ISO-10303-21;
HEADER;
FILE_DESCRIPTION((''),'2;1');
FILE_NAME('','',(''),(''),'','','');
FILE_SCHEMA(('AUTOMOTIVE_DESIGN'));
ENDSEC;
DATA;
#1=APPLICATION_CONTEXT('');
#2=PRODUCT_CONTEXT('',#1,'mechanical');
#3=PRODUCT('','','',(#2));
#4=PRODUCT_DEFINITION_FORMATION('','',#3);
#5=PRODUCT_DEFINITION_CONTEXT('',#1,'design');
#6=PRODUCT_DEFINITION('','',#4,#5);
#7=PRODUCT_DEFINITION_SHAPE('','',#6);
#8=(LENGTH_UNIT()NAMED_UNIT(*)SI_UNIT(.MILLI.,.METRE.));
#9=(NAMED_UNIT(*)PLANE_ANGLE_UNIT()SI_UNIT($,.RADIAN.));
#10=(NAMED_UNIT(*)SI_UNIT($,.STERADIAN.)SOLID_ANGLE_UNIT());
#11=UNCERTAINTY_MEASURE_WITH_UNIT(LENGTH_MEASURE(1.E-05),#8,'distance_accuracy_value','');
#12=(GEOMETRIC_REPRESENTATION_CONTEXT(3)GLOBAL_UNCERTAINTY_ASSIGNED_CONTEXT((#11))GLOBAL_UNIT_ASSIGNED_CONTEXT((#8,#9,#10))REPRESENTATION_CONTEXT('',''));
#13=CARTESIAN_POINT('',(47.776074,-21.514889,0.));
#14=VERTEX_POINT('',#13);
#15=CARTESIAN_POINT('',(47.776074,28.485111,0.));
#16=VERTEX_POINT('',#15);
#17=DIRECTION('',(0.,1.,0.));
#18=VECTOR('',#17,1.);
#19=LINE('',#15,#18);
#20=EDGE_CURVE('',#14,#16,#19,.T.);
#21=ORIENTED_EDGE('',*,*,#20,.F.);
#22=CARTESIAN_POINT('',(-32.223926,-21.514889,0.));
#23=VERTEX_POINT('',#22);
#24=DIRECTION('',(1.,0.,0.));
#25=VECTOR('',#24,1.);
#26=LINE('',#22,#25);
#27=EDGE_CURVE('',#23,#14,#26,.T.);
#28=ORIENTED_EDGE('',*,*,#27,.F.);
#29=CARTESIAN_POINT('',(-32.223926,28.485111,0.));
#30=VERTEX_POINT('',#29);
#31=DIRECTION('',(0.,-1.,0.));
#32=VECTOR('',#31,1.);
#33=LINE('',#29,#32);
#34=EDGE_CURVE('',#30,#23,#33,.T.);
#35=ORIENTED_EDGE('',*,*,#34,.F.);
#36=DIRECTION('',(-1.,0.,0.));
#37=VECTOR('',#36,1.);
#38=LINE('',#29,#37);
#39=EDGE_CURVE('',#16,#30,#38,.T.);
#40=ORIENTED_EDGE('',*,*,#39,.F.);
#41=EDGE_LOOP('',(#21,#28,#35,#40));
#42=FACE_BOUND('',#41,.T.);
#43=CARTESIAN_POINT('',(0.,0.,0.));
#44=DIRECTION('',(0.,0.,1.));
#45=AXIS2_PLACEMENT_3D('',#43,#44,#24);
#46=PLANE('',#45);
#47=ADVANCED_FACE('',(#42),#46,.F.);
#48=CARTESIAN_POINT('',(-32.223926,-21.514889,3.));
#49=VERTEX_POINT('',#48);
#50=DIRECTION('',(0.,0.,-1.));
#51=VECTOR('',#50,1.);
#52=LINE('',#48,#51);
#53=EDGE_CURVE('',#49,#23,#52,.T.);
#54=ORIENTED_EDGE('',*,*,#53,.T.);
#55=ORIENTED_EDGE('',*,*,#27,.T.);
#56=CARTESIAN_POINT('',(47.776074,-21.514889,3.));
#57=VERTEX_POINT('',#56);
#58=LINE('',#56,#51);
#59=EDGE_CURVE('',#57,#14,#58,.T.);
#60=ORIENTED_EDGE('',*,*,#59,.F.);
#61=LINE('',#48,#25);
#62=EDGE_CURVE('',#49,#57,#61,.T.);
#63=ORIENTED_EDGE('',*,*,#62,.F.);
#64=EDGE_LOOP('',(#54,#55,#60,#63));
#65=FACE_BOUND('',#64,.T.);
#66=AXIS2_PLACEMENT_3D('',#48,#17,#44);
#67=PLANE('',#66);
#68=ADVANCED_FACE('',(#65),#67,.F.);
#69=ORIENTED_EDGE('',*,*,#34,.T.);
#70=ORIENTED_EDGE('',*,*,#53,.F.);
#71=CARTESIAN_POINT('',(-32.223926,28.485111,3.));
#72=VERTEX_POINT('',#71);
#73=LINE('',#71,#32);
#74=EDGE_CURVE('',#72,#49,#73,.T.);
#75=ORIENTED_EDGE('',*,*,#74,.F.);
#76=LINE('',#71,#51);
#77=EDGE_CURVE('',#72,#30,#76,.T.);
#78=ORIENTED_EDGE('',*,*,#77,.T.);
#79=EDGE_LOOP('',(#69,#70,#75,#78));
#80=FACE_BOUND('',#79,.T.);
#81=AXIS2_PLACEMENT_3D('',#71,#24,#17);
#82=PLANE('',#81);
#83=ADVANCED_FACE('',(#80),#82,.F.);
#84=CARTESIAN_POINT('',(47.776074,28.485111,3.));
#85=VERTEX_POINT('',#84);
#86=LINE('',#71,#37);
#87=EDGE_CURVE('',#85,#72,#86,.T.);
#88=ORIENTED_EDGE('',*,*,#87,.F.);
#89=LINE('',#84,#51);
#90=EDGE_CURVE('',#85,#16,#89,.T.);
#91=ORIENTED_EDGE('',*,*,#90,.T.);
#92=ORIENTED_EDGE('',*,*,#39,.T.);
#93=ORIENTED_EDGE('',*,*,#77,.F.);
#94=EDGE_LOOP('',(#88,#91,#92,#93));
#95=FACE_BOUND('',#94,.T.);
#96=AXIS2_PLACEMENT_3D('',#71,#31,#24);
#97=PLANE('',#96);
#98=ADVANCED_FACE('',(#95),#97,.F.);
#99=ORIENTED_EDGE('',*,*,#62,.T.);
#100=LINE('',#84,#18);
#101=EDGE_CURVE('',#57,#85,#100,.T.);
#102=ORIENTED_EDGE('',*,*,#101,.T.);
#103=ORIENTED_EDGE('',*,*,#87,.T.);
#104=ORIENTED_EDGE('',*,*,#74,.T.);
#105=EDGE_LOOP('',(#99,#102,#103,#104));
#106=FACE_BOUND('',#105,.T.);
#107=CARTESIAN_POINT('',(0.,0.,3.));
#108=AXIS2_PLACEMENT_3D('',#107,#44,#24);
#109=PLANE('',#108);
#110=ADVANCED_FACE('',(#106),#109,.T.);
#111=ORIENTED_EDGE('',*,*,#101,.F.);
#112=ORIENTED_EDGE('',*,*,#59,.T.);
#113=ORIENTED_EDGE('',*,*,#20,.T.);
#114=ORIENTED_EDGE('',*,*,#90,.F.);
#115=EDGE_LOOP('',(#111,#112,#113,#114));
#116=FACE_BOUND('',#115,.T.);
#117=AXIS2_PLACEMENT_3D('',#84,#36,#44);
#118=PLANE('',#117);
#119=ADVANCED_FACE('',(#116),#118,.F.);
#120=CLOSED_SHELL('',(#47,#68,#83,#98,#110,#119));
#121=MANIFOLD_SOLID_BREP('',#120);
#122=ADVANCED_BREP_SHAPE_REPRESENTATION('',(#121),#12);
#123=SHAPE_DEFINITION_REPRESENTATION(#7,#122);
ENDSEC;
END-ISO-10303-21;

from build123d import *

# Parameters (mm, degrees)
SKETCH_1_W      = 80
SKETCH_1_H      = 50
EXTRUDE_1_DEPTH = 3


with BuildPart() as part:
    # 草图1 → 凸台-拉伸1 (new body)
    with BuildSketch(Plane.XY):
        with Locations((7.77607362, 3.485110734)):
            Rectangle(SKETCH_1_W, SKETCH_1_H)
    extrude(amount=EXTRUDE_1_DEPTH)


solid = part.part
